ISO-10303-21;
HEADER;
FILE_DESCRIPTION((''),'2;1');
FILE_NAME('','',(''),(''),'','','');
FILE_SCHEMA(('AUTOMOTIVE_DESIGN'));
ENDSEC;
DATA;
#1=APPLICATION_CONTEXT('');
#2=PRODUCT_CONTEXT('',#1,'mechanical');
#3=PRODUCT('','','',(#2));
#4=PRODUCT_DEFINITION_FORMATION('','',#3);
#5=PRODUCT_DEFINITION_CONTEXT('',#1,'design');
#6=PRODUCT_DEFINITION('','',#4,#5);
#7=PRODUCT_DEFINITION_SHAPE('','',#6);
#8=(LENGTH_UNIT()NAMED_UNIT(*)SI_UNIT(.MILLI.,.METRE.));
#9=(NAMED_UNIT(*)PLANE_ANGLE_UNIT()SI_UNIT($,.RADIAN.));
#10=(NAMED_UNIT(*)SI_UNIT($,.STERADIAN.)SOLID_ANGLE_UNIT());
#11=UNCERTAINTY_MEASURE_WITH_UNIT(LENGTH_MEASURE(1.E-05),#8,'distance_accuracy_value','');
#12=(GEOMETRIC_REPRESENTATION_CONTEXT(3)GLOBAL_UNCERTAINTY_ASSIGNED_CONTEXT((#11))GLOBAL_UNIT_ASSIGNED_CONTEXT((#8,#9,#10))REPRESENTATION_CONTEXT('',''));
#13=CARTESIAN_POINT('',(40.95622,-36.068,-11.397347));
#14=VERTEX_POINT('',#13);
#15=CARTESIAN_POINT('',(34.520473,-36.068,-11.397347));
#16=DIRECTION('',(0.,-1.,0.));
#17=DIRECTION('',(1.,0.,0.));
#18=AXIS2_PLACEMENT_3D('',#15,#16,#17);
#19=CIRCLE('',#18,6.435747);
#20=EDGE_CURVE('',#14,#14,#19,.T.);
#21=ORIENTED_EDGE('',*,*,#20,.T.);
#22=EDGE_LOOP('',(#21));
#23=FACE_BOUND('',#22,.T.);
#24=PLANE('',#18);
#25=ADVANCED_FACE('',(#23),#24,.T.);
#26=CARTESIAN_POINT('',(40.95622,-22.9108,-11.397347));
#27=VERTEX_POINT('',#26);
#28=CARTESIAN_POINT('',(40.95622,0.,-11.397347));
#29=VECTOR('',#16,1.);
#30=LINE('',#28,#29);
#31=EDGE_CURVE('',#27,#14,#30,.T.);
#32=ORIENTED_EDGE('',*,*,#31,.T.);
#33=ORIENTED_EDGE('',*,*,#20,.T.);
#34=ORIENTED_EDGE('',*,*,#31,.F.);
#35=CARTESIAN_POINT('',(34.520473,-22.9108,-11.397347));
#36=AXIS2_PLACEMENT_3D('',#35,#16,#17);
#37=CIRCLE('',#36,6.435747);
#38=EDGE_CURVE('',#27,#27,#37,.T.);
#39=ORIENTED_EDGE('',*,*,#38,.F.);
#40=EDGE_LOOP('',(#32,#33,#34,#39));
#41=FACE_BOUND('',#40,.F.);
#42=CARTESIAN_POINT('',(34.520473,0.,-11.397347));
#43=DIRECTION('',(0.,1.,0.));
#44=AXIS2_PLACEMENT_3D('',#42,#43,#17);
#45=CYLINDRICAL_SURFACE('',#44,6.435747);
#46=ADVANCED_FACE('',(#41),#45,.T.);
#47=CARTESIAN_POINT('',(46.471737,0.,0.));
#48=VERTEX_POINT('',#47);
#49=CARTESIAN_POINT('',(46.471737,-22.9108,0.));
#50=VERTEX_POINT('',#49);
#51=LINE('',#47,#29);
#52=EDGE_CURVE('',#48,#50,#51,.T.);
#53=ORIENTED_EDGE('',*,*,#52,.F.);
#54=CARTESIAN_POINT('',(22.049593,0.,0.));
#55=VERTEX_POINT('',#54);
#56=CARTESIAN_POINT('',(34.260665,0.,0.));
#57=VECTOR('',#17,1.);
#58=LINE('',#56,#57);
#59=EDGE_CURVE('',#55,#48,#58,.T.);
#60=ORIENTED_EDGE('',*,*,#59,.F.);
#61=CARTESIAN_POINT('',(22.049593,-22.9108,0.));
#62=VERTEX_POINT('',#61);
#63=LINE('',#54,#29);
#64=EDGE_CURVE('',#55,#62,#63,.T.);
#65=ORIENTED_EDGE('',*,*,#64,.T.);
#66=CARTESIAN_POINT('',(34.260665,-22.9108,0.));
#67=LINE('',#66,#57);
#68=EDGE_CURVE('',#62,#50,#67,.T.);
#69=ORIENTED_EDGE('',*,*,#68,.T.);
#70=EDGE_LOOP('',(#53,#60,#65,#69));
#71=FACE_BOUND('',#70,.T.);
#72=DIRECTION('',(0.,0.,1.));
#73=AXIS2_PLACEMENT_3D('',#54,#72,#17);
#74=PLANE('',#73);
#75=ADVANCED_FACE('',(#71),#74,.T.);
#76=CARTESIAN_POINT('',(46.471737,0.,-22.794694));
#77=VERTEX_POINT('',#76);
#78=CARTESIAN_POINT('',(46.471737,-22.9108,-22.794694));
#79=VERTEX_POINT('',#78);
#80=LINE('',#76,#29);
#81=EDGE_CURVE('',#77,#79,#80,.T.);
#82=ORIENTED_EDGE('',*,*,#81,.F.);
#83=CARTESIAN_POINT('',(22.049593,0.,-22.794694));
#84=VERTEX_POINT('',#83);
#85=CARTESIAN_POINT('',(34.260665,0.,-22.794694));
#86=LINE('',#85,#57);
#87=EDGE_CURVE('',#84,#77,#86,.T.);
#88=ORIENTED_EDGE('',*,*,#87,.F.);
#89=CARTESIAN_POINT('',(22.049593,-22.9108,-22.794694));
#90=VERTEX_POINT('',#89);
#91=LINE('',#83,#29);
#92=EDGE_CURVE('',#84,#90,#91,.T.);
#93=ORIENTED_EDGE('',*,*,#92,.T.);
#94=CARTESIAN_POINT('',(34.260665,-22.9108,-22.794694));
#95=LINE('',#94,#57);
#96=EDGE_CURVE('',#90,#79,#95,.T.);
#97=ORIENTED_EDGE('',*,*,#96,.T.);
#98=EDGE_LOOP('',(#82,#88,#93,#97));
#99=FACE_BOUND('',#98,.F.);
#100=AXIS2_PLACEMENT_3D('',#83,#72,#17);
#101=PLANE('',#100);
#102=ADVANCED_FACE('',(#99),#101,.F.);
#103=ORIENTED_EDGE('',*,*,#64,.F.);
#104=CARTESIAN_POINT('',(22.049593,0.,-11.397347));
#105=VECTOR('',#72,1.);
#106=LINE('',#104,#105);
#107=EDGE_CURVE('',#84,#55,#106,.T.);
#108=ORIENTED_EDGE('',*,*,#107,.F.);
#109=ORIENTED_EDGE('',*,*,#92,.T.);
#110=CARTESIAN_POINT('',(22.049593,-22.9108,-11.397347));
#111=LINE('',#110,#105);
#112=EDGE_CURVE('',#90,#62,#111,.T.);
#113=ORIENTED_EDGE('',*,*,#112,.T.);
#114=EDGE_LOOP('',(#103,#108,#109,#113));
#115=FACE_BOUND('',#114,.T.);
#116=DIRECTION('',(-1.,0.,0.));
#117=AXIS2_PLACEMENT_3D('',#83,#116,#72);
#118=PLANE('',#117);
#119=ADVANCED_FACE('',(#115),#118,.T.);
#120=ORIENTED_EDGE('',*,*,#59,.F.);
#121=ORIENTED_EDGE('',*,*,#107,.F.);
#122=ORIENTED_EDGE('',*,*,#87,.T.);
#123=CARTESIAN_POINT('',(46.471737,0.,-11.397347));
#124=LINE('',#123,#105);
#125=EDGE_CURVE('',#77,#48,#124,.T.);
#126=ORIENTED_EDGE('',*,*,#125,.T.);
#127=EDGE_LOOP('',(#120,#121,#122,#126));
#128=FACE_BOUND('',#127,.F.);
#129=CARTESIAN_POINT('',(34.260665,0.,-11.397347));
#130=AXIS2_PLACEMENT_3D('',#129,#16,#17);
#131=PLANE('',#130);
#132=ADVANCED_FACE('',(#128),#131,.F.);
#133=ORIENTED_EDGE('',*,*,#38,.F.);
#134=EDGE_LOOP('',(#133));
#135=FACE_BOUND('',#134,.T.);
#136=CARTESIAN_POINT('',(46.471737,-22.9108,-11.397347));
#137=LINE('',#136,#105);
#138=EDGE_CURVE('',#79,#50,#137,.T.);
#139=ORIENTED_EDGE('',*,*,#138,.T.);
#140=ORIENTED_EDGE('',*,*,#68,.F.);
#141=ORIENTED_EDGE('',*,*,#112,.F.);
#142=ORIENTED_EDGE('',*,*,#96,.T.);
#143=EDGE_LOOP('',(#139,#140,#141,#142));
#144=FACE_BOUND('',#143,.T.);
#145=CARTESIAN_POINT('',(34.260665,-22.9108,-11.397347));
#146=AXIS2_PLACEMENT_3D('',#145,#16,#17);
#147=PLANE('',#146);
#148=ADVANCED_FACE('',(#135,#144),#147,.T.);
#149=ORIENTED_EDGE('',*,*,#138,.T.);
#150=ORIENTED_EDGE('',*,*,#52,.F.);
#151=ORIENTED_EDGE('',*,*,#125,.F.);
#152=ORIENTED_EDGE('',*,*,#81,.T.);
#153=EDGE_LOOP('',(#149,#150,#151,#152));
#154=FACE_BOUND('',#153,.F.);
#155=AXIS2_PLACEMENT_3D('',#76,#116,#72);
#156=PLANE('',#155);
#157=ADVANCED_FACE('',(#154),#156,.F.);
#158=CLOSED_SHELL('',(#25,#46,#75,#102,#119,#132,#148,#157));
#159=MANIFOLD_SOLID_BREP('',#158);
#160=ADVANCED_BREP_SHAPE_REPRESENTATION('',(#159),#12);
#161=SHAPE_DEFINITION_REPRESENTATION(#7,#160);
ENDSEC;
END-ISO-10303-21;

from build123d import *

# Parameters (mm, degrees)
F0_R     = 6.435747
F1_DEPTH = 36.068
F0_W     = 24.422144
F0_H     = 22.794694
F2_DEPTH = 22.9108


with BuildPart() as f1:
    # F0 (on Front) → F1 (new body)
    with BuildSketch(Plane.XZ):
        with Locations((34.520473, -11.397347)):
            Circle(F0_R)
    extrude(amount=F1_DEPTH)

    # F0 (on Front) → F2 (join)
    with BuildSketch(Plane.XZ):
        with Locations((34.260665, -11.397347)):
            Rectangle(F0_W, F0_H)
        with Locations((34.520473, -11.397347)):
            Circle(F0_R, mode=Mode.SUBTRACT)
    extrude(amount=F2_DEPTH)


solid = f1.part
